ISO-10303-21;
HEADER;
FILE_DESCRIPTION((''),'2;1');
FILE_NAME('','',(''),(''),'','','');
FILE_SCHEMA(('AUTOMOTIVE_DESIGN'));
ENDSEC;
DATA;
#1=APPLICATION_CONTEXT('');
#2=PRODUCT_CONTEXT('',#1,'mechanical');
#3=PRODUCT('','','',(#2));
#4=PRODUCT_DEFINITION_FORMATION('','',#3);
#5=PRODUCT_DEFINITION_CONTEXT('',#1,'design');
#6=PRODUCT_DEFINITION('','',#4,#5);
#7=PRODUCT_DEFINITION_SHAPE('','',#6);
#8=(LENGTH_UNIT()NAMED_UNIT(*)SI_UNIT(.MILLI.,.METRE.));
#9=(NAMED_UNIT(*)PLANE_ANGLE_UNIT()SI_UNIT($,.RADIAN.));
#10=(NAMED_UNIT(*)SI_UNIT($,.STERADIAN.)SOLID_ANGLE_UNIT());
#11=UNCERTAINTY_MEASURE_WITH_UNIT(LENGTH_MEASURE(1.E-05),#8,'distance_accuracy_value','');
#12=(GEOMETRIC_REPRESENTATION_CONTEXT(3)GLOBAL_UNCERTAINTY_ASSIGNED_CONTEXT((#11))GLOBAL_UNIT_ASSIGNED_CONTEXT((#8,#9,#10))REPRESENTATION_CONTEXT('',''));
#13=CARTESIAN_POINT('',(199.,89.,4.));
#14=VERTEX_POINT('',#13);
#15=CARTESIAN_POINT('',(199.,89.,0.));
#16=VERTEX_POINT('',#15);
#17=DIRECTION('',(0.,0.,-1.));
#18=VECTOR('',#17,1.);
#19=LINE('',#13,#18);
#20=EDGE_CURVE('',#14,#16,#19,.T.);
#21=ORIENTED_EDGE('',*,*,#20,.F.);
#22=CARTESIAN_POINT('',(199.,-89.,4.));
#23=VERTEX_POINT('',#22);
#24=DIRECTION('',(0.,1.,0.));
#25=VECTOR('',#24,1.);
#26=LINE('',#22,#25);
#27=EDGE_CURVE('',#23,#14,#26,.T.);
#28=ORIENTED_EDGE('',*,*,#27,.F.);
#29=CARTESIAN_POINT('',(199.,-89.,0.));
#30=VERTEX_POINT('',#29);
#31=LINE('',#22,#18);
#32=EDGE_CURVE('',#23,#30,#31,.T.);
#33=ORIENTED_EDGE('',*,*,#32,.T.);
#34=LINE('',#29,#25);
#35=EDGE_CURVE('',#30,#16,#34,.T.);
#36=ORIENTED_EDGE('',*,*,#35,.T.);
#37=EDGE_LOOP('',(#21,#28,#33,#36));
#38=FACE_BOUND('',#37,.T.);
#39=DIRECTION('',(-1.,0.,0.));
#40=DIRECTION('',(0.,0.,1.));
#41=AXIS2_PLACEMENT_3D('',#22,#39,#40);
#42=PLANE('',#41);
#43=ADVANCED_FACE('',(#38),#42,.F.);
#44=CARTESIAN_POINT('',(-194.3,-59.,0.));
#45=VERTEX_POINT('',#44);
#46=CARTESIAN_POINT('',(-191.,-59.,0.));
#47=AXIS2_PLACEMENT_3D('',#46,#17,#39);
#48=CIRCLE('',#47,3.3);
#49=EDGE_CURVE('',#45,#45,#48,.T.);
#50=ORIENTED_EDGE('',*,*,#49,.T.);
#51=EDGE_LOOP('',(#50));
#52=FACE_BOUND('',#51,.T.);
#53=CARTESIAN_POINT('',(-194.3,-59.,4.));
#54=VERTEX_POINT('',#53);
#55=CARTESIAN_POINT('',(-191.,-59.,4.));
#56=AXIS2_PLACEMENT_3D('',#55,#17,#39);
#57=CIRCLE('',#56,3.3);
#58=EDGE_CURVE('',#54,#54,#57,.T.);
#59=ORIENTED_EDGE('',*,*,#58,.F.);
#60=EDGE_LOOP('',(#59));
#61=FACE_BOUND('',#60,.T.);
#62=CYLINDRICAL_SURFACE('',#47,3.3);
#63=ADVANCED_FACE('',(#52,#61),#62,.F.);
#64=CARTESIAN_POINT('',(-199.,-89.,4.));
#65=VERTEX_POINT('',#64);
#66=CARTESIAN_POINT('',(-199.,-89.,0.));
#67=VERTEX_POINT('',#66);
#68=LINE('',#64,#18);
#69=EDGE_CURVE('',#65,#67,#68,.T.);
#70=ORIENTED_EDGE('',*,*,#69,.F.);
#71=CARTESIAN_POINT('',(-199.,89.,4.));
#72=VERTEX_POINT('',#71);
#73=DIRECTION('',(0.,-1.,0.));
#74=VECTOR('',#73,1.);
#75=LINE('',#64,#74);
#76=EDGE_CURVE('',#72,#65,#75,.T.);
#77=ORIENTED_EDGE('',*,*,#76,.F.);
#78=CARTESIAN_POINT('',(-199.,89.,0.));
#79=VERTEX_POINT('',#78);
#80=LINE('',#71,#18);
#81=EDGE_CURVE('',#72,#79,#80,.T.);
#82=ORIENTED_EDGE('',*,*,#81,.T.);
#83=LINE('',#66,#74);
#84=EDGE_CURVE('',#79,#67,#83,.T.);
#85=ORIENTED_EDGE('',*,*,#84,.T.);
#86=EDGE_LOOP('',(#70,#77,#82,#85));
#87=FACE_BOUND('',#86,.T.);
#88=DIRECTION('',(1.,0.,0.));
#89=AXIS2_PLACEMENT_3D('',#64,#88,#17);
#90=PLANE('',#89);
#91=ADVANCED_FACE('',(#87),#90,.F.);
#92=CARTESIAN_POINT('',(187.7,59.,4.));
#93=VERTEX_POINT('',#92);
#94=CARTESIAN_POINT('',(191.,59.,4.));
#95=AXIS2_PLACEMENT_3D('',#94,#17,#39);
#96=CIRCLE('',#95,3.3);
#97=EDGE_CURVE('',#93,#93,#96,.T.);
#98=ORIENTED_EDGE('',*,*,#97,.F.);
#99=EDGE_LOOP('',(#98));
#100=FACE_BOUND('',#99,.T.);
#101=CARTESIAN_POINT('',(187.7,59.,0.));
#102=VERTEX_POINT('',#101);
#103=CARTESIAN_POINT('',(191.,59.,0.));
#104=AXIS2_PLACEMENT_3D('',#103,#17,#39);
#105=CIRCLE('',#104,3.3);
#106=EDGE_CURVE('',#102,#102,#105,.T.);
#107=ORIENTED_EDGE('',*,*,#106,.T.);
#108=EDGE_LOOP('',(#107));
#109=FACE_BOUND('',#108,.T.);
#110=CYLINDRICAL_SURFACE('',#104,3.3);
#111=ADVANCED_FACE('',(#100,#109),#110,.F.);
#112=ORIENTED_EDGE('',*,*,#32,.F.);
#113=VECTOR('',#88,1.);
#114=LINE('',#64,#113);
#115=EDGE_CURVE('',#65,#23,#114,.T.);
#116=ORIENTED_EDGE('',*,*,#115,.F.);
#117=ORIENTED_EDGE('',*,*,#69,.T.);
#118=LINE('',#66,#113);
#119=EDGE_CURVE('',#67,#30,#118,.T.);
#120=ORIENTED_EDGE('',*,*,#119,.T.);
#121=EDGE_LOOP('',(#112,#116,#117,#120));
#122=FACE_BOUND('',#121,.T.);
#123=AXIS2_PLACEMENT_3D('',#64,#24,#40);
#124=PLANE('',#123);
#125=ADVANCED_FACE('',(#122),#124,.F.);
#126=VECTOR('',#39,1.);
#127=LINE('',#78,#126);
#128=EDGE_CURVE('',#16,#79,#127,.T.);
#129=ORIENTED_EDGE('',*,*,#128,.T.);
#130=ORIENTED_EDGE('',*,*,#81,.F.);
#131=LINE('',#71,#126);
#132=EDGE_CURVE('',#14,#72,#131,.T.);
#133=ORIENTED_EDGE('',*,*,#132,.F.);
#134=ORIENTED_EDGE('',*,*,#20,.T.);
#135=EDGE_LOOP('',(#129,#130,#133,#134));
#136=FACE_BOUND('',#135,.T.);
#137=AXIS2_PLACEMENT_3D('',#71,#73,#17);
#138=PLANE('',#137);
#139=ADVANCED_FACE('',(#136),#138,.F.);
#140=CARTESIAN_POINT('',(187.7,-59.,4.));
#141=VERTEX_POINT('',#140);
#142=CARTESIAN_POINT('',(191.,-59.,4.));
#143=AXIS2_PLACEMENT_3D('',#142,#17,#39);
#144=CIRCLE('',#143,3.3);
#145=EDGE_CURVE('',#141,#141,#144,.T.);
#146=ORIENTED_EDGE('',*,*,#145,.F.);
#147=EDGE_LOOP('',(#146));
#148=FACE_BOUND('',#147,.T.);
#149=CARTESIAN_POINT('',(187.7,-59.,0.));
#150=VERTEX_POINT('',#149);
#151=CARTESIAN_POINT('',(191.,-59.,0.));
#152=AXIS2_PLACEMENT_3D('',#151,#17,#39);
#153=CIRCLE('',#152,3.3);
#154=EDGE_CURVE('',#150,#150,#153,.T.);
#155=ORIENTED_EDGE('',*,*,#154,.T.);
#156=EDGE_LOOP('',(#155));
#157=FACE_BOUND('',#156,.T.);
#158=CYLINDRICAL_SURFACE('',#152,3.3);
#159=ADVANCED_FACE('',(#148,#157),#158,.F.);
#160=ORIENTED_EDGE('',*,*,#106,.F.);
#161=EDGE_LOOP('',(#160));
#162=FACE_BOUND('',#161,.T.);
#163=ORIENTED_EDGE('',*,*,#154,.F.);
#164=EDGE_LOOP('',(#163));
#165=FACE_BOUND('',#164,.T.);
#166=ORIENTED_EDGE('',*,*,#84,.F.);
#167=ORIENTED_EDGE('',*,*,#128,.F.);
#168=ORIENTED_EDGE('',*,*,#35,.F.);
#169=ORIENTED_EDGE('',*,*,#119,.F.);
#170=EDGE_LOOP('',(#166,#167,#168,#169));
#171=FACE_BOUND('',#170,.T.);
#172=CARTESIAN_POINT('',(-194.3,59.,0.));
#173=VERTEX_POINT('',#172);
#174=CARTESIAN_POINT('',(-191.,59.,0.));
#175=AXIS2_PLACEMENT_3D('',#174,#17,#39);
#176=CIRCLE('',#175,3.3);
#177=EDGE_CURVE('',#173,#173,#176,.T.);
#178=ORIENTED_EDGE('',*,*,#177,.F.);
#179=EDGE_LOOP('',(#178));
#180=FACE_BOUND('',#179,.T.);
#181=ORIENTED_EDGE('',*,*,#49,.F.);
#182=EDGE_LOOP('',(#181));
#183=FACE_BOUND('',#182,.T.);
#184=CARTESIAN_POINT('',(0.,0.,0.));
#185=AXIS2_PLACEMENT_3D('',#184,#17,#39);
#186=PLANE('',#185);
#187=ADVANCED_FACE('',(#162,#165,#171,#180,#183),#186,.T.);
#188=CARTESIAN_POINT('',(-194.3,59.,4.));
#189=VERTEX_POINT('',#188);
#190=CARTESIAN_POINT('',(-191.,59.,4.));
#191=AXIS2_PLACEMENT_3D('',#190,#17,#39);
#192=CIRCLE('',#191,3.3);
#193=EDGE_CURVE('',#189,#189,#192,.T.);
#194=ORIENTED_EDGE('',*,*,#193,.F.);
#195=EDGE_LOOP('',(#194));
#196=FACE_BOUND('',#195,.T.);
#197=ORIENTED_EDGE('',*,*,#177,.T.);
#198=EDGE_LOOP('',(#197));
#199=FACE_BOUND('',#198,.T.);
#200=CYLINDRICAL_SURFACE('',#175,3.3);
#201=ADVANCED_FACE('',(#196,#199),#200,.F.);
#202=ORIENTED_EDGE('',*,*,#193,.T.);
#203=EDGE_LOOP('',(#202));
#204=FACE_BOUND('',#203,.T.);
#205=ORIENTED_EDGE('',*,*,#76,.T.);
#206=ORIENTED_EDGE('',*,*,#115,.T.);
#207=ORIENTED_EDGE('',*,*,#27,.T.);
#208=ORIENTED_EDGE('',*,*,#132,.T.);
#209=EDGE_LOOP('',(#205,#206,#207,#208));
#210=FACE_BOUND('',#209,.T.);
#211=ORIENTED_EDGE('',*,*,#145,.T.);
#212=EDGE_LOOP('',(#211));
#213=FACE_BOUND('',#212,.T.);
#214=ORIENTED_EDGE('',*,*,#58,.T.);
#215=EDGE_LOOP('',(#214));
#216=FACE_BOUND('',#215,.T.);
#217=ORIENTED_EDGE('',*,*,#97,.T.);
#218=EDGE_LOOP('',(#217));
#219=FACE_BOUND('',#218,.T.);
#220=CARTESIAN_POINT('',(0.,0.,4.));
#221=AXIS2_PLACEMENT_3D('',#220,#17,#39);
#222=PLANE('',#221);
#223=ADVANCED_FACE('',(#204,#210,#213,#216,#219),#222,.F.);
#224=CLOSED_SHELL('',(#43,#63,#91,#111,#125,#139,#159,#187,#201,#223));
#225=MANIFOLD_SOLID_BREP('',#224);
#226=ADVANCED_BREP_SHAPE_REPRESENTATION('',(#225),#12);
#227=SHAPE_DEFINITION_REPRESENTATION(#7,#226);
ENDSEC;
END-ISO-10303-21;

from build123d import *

# Parameters (mm, degrees)
ESQUISSE1_W        = 398
ESQUISSE1_H        = 178
BOSS_EXTRU_1_DEPTH = 4
D_GAGEMENT_M61_D   = 6.6


with BuildPart() as part:
    # Esquisse1 → Boss.-Extru.1 (new body)
    with BuildSketch(Plane.XY):
        Rectangle(ESQUISSE1_W, ESQUISSE1_H)
    extrude(amount=BOSS_EXTRU_1_DEPTH)

    # Dégagement M61 (through all)
    with Locations(Plane(origin=(0, 0, 0), x_dir=(-1, 0, 0), z_dir=(0, 0, -1))):
        with Locations((191, 59), (-191, 59), (191, -59), (-191, -59)):
            Hole(D_GAGEMENT_M61_D / 2)


solid = part.part
